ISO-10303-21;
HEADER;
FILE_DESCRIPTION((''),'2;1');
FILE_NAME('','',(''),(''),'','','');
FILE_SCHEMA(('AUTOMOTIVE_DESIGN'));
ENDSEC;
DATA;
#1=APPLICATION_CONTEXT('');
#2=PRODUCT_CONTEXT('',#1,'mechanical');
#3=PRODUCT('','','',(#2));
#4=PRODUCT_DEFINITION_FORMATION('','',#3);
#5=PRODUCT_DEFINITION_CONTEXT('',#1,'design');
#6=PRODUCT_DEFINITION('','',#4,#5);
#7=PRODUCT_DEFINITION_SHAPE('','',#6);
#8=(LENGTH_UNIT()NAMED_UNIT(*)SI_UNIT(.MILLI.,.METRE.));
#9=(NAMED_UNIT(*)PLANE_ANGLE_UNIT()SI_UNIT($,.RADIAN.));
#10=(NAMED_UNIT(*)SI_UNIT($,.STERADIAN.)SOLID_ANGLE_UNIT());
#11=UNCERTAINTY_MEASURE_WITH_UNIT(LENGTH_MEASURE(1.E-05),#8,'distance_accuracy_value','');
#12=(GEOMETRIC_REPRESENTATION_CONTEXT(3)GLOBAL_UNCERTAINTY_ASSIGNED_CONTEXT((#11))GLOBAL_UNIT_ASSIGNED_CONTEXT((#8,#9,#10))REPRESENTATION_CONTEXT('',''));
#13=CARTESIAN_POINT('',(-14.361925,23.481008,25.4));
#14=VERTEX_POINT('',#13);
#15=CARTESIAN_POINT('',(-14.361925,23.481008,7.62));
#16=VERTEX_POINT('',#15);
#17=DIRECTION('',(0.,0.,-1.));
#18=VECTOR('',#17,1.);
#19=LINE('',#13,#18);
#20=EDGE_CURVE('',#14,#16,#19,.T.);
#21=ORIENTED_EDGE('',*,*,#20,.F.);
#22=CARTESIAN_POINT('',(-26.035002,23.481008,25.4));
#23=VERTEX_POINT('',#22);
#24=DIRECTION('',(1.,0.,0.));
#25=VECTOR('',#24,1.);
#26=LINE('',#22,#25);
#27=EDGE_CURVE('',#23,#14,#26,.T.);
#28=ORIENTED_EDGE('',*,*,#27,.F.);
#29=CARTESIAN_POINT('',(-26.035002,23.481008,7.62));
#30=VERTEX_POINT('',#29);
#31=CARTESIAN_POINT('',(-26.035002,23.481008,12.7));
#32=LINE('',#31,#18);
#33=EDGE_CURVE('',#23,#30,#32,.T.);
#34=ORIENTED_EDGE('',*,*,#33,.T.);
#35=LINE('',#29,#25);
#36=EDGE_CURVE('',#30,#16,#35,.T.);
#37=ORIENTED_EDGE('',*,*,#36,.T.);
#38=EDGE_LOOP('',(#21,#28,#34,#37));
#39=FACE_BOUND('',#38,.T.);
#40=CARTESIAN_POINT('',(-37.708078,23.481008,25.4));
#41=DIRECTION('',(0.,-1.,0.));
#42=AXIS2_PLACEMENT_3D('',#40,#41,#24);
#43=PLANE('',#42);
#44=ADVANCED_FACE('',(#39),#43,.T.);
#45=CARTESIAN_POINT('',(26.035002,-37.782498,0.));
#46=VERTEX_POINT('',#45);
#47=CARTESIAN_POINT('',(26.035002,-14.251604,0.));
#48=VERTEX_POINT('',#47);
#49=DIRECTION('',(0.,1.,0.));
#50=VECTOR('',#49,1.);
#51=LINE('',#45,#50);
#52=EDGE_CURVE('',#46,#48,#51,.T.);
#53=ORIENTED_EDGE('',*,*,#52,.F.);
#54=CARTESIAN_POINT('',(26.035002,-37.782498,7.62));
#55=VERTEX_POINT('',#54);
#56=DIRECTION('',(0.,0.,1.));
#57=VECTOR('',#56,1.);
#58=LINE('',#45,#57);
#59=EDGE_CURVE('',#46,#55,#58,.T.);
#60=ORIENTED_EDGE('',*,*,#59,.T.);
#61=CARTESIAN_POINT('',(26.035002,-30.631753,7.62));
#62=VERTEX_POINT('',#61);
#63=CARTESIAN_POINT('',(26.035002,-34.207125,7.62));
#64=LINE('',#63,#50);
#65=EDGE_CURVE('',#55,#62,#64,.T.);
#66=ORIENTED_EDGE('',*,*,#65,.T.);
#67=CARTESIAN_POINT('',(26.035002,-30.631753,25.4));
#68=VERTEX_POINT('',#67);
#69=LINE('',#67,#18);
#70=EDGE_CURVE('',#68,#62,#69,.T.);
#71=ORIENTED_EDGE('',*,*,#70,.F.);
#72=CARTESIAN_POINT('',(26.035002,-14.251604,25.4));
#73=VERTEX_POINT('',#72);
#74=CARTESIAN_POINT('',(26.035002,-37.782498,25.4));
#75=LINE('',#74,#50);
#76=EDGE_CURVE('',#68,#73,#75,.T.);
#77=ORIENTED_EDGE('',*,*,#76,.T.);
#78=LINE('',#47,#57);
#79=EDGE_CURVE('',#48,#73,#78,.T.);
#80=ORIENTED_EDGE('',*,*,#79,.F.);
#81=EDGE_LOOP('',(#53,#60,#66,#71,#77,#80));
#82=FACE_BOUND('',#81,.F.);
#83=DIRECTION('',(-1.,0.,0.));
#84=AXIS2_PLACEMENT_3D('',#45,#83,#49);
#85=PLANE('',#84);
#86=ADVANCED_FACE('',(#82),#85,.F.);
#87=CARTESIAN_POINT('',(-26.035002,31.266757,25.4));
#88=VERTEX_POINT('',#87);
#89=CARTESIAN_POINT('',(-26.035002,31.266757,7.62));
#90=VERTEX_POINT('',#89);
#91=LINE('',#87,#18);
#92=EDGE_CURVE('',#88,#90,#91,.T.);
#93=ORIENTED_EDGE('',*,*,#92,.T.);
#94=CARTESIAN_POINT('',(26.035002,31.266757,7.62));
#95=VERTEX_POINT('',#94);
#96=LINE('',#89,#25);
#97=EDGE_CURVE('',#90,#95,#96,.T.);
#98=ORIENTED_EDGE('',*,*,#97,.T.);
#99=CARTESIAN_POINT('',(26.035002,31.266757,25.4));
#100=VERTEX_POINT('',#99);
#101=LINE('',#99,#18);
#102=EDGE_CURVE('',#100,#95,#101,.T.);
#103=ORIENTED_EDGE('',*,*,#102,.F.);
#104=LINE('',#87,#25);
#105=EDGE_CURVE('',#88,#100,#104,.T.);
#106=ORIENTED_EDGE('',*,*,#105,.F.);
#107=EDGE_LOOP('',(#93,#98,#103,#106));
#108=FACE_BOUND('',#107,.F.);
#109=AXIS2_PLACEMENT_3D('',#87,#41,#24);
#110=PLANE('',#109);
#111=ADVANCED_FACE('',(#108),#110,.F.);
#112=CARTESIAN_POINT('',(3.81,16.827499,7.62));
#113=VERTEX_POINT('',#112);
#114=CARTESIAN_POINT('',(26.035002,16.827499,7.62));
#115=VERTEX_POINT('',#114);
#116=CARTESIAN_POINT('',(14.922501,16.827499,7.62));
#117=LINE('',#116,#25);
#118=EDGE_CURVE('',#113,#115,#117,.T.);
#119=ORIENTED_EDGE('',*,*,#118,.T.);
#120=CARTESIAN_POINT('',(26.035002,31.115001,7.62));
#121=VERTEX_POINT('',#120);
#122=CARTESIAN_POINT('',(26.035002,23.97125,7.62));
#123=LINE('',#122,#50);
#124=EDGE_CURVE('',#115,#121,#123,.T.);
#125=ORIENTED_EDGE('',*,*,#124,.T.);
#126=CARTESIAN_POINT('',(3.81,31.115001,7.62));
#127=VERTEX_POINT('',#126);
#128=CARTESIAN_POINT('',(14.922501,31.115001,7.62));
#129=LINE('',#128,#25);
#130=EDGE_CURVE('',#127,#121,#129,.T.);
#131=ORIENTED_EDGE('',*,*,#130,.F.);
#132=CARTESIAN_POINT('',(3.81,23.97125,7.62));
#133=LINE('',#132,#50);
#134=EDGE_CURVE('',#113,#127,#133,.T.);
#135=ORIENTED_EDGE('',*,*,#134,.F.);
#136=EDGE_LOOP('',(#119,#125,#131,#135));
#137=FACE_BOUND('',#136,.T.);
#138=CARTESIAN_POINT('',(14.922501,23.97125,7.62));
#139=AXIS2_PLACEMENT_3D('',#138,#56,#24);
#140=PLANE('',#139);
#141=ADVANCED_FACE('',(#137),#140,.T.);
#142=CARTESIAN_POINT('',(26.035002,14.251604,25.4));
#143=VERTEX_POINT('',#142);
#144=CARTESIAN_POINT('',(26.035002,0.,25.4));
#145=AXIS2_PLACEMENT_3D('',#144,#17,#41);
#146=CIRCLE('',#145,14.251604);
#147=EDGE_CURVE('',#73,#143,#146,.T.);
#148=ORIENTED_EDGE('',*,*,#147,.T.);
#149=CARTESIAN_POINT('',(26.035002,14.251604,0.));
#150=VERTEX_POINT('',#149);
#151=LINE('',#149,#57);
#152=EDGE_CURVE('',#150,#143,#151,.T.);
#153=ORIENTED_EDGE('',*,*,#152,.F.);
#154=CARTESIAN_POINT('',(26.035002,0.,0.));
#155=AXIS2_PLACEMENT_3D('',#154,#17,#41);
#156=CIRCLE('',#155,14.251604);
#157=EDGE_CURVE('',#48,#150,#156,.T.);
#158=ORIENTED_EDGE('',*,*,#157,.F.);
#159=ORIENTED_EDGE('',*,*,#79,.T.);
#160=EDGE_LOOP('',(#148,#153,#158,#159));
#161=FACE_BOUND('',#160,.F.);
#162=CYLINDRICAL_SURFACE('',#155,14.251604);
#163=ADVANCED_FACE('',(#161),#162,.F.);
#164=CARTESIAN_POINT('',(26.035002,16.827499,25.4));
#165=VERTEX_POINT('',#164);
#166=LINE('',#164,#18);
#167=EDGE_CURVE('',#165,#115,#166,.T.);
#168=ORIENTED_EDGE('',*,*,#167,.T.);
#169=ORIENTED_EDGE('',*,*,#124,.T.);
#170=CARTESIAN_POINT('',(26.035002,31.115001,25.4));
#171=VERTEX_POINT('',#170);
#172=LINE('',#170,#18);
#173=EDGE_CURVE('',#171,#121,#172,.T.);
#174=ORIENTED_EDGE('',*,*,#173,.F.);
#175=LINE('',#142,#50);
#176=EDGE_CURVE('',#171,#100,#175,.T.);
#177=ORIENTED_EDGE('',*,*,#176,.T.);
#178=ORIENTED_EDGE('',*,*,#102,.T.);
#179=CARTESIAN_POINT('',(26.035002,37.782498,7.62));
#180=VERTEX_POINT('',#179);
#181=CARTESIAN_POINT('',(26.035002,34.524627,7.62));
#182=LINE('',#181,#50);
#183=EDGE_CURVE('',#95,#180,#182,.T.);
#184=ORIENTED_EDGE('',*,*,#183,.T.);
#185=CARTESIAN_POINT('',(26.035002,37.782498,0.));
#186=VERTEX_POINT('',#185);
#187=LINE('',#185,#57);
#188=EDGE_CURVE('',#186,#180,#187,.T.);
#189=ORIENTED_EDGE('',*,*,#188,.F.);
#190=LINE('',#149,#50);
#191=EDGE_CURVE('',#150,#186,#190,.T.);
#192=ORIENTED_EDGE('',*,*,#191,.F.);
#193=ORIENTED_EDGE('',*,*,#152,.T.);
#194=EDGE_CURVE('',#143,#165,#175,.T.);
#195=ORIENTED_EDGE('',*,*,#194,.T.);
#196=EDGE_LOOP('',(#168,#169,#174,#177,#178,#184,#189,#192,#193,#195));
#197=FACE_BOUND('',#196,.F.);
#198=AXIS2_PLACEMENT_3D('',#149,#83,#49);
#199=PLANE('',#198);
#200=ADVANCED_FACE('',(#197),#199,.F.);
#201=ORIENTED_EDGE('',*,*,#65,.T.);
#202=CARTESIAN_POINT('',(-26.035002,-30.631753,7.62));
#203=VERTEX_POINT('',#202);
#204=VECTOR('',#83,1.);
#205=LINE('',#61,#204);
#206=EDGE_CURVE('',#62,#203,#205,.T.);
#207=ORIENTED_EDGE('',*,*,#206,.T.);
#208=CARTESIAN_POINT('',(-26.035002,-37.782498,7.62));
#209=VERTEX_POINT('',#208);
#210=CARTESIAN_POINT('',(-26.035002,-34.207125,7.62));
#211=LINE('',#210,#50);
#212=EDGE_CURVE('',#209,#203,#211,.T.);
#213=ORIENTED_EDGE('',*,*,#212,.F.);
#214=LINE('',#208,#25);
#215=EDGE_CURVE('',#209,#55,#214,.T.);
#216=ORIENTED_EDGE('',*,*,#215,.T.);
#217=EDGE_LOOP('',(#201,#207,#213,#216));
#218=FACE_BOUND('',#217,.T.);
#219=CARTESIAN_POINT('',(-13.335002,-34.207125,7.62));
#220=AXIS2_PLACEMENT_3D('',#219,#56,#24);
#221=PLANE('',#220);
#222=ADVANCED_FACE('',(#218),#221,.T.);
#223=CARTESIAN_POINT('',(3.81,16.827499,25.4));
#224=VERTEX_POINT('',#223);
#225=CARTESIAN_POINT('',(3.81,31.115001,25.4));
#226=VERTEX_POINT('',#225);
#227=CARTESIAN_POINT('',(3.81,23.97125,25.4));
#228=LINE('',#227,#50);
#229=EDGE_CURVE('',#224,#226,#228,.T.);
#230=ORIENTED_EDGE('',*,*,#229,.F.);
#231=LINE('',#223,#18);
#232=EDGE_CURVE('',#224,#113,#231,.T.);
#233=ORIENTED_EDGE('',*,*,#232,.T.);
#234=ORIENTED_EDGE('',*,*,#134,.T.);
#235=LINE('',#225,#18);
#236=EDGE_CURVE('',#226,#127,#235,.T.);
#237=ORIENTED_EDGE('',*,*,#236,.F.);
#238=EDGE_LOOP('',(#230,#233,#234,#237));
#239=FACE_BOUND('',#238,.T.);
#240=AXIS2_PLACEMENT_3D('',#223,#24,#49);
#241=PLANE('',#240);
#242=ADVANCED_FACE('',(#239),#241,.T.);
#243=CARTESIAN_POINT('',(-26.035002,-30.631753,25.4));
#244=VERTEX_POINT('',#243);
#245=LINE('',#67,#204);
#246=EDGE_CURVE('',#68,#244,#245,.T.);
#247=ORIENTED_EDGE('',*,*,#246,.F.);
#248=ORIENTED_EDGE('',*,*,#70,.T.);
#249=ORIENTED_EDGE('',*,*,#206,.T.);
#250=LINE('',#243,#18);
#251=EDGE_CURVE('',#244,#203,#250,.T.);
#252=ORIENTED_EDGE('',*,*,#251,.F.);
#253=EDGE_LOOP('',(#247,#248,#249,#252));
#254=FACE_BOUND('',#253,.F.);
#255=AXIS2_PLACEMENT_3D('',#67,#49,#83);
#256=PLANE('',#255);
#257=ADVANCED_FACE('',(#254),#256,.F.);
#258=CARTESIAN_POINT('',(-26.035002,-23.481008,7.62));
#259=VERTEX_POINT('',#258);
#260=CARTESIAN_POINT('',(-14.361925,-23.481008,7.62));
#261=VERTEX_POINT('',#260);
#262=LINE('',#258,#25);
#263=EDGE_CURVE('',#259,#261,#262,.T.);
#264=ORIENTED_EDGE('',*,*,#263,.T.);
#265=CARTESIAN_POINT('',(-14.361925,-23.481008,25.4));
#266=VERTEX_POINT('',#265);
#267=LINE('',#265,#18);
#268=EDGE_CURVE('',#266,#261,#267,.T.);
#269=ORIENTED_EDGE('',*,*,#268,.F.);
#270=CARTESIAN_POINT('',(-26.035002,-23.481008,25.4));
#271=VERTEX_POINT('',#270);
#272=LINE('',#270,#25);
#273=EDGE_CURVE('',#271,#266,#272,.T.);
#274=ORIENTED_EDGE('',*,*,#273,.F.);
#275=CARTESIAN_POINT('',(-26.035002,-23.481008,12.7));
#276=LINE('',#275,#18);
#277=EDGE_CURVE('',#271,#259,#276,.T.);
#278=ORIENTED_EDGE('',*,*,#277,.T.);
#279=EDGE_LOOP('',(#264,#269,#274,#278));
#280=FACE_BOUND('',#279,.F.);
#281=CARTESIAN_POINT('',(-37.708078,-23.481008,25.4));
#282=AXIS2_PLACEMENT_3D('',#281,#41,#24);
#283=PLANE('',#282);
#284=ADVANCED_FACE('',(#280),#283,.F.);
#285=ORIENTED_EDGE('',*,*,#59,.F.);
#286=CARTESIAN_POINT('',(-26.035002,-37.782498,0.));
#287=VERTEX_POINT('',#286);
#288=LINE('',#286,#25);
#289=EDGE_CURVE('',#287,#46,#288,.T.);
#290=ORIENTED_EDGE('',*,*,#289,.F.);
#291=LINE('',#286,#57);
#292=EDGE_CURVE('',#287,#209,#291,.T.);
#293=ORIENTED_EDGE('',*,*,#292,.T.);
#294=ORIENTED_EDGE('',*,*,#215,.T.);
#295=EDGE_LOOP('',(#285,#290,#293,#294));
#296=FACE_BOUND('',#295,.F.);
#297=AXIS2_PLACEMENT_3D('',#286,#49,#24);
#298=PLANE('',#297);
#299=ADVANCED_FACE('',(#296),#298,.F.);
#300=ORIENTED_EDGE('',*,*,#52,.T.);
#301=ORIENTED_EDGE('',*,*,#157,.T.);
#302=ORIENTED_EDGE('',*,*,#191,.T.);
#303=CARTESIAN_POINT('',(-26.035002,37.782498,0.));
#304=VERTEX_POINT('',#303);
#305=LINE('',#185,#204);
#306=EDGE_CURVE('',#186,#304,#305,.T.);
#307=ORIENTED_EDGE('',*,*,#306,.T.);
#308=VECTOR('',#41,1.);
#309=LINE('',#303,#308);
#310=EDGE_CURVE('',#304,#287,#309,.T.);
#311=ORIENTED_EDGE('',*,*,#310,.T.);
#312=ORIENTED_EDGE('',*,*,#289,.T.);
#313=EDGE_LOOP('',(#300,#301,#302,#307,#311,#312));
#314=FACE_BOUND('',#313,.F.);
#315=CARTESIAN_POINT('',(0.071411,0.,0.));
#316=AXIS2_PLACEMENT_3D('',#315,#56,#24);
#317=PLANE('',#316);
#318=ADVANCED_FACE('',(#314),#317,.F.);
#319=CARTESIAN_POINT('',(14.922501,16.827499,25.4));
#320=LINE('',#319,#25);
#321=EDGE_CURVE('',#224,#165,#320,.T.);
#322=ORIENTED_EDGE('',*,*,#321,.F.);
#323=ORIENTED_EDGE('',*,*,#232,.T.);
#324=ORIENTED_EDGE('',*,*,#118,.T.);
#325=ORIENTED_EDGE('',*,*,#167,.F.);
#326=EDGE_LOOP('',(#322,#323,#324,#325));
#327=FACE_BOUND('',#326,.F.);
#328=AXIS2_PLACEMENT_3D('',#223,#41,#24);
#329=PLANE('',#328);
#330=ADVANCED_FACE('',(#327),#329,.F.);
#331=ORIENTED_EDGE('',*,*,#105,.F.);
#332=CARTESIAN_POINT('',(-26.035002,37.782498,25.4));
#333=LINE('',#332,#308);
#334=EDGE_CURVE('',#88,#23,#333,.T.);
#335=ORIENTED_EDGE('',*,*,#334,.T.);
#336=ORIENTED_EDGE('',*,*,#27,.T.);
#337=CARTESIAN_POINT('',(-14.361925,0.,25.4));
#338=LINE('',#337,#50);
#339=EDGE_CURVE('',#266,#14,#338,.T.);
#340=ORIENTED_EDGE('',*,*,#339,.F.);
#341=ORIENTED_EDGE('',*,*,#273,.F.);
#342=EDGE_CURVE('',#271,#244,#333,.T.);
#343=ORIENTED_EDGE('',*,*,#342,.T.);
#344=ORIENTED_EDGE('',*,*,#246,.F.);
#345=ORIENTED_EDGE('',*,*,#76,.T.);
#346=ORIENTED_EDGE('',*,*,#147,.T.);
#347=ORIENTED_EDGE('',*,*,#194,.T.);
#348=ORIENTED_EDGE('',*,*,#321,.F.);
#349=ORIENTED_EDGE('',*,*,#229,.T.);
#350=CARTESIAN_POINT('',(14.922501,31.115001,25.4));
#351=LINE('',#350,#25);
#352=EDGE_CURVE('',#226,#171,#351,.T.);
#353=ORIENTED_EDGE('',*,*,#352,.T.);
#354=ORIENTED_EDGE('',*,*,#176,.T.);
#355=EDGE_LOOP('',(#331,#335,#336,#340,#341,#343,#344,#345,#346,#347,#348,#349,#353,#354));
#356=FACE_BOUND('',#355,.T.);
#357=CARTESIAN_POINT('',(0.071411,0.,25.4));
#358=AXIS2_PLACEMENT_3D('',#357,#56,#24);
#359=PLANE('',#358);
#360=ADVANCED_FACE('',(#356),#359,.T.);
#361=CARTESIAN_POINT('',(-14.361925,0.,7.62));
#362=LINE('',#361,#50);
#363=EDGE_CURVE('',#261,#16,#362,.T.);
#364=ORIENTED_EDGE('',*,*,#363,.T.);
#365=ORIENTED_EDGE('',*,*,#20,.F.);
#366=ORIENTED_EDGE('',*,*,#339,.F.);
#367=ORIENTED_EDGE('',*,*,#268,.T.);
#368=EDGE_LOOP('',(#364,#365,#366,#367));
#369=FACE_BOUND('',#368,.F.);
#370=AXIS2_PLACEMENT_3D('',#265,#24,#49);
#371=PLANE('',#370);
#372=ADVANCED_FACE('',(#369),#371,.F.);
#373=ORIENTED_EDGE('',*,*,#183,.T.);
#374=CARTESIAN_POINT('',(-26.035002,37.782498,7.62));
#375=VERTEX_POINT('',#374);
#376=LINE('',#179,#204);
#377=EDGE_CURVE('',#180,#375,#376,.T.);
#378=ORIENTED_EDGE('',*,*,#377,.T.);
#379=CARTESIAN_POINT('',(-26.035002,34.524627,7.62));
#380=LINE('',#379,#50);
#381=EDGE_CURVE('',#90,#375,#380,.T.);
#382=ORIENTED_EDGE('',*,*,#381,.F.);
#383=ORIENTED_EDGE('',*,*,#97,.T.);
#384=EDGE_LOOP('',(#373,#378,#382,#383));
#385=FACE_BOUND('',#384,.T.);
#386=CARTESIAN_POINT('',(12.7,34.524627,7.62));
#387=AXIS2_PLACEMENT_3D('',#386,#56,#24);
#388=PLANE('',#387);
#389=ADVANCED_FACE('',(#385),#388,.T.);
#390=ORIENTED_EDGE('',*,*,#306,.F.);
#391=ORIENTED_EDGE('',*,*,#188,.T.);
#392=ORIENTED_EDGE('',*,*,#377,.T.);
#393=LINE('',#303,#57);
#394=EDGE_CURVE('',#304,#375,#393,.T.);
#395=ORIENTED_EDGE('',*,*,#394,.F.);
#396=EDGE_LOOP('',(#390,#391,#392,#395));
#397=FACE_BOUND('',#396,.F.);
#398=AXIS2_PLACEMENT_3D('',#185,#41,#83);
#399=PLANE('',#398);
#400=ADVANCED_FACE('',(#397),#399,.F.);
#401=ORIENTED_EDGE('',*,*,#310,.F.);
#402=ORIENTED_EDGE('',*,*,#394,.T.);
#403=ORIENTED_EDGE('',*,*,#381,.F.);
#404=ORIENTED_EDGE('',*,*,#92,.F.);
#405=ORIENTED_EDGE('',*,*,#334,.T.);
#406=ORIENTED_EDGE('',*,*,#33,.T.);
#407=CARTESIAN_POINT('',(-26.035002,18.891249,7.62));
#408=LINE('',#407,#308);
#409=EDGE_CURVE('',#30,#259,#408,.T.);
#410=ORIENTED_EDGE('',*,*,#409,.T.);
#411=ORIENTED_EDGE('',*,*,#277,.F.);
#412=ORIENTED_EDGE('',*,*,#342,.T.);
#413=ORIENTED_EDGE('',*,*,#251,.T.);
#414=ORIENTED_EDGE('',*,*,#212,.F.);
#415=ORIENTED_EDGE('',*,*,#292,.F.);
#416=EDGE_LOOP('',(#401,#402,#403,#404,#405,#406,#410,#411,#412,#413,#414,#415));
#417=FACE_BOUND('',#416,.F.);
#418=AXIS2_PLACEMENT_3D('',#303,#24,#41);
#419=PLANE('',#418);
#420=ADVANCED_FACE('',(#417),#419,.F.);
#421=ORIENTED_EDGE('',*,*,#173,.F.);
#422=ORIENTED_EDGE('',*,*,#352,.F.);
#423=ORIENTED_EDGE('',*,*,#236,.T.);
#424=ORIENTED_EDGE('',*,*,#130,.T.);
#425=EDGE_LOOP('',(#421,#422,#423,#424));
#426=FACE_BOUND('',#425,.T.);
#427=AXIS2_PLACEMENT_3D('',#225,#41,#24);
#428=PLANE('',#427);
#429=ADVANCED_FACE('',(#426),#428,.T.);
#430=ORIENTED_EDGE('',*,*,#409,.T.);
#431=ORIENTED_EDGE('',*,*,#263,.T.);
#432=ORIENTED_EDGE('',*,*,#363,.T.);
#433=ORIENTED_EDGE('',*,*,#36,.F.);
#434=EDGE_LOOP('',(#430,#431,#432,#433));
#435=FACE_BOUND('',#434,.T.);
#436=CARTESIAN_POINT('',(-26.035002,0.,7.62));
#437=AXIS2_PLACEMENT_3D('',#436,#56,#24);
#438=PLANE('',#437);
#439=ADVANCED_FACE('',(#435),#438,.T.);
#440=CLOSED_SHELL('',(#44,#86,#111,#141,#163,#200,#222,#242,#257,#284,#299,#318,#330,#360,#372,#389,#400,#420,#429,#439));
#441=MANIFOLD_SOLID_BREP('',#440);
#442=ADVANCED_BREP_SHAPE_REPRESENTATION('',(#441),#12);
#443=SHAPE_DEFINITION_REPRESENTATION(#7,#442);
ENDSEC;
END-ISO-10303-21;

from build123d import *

# Parameters (mm, degrees)
F1_DEPTH = 25.4
F2_W     = 23.3461521566
F2_H     = 46.9620153308
F3_DEPTH = 17.78
F4_W     = 25.4
F4_H     = 7.1507450193
F4_W_2   = 26.6700030029
F5_DEPTH = 17.78
F4_H_2   = 6.5157404274
F6_DEPTH = 17.78
F7_W     = 22.2250013612
F7_H     = 14.2875015736
F8_DEPTH = 17.78


with BuildPart() as f1:
    # F0 (on Top) → F1 (new body)
    with BuildSketch(Plane.XY):
        with BuildLine():
            Line((26.0350015014, 37.782497704), (-26.0350015014, 37.782497704))
            Line((-26.0350015014, 37.782497704), (-26.0350015014, -37.782497704))
            Line((-26.0350015014, -37.782497704), (26.0350015014, -37.782497704))
            Line((26.0350015014, -37.782497704), (26.0350015014, -14.2516041014))
            ThreePointArc((26.0350015014, -14.2516041014), (11.7833974, 0), (26.0350015014, 14.2516041014))
            Line((26.0350015014, 14.2516041014), (26.0350015014, 37.782497704))
        make_face()
    extrude(amount=F1_DEPTH)

    # F2 (on face) → F3 (cut)
    with BuildSketch(Plane.XY.offset(25.4)):
        with Locations((-26.0350015014, 0)):
            Rectangle(F2_W, F2_H)
    extrude(amount=-F3_DEPTH, mode=Mode.SUBTRACT)

    # F4 (on face) → F5 (cut)
    with BuildSketch(Plane.XY.offset(25.4)):
        with Locations((-13.3350015014, -34.2071251944)):
            Rectangle(F4_W, F4_H)
        with Locations((12.7, -34.2071251944)):
            Rectangle(F4_W_2, F4_H)
    extrude(amount=-F5_DEPTH, mode=Mode.SUBTRACT)

    # F4 (on face) → F6 (cut)
    with BuildSketch(Plane.XY.offset(25.4)):
        with Locations((12.7, 34.5246274903)):
            Rectangle(F4_W_2, F4_H_2)
        with Locations((-13.3350015014, 34.5246274903)):
            Rectangle(F4_W, F4_H_2)
    extrude(amount=-F6_DEPTH, mode=Mode.SUBTRACT)

    # F7 (on face) → F8 (cut)
    with BuildSketch(Plane.XY.offset(25.4)):
        with Locations((14.9225008208, 23.9712502807)):
            Rectangle(F7_W, F7_H)
    extrude(amount=-F8_DEPTH, mode=Mode.SUBTRACT)


solid = f1.part
